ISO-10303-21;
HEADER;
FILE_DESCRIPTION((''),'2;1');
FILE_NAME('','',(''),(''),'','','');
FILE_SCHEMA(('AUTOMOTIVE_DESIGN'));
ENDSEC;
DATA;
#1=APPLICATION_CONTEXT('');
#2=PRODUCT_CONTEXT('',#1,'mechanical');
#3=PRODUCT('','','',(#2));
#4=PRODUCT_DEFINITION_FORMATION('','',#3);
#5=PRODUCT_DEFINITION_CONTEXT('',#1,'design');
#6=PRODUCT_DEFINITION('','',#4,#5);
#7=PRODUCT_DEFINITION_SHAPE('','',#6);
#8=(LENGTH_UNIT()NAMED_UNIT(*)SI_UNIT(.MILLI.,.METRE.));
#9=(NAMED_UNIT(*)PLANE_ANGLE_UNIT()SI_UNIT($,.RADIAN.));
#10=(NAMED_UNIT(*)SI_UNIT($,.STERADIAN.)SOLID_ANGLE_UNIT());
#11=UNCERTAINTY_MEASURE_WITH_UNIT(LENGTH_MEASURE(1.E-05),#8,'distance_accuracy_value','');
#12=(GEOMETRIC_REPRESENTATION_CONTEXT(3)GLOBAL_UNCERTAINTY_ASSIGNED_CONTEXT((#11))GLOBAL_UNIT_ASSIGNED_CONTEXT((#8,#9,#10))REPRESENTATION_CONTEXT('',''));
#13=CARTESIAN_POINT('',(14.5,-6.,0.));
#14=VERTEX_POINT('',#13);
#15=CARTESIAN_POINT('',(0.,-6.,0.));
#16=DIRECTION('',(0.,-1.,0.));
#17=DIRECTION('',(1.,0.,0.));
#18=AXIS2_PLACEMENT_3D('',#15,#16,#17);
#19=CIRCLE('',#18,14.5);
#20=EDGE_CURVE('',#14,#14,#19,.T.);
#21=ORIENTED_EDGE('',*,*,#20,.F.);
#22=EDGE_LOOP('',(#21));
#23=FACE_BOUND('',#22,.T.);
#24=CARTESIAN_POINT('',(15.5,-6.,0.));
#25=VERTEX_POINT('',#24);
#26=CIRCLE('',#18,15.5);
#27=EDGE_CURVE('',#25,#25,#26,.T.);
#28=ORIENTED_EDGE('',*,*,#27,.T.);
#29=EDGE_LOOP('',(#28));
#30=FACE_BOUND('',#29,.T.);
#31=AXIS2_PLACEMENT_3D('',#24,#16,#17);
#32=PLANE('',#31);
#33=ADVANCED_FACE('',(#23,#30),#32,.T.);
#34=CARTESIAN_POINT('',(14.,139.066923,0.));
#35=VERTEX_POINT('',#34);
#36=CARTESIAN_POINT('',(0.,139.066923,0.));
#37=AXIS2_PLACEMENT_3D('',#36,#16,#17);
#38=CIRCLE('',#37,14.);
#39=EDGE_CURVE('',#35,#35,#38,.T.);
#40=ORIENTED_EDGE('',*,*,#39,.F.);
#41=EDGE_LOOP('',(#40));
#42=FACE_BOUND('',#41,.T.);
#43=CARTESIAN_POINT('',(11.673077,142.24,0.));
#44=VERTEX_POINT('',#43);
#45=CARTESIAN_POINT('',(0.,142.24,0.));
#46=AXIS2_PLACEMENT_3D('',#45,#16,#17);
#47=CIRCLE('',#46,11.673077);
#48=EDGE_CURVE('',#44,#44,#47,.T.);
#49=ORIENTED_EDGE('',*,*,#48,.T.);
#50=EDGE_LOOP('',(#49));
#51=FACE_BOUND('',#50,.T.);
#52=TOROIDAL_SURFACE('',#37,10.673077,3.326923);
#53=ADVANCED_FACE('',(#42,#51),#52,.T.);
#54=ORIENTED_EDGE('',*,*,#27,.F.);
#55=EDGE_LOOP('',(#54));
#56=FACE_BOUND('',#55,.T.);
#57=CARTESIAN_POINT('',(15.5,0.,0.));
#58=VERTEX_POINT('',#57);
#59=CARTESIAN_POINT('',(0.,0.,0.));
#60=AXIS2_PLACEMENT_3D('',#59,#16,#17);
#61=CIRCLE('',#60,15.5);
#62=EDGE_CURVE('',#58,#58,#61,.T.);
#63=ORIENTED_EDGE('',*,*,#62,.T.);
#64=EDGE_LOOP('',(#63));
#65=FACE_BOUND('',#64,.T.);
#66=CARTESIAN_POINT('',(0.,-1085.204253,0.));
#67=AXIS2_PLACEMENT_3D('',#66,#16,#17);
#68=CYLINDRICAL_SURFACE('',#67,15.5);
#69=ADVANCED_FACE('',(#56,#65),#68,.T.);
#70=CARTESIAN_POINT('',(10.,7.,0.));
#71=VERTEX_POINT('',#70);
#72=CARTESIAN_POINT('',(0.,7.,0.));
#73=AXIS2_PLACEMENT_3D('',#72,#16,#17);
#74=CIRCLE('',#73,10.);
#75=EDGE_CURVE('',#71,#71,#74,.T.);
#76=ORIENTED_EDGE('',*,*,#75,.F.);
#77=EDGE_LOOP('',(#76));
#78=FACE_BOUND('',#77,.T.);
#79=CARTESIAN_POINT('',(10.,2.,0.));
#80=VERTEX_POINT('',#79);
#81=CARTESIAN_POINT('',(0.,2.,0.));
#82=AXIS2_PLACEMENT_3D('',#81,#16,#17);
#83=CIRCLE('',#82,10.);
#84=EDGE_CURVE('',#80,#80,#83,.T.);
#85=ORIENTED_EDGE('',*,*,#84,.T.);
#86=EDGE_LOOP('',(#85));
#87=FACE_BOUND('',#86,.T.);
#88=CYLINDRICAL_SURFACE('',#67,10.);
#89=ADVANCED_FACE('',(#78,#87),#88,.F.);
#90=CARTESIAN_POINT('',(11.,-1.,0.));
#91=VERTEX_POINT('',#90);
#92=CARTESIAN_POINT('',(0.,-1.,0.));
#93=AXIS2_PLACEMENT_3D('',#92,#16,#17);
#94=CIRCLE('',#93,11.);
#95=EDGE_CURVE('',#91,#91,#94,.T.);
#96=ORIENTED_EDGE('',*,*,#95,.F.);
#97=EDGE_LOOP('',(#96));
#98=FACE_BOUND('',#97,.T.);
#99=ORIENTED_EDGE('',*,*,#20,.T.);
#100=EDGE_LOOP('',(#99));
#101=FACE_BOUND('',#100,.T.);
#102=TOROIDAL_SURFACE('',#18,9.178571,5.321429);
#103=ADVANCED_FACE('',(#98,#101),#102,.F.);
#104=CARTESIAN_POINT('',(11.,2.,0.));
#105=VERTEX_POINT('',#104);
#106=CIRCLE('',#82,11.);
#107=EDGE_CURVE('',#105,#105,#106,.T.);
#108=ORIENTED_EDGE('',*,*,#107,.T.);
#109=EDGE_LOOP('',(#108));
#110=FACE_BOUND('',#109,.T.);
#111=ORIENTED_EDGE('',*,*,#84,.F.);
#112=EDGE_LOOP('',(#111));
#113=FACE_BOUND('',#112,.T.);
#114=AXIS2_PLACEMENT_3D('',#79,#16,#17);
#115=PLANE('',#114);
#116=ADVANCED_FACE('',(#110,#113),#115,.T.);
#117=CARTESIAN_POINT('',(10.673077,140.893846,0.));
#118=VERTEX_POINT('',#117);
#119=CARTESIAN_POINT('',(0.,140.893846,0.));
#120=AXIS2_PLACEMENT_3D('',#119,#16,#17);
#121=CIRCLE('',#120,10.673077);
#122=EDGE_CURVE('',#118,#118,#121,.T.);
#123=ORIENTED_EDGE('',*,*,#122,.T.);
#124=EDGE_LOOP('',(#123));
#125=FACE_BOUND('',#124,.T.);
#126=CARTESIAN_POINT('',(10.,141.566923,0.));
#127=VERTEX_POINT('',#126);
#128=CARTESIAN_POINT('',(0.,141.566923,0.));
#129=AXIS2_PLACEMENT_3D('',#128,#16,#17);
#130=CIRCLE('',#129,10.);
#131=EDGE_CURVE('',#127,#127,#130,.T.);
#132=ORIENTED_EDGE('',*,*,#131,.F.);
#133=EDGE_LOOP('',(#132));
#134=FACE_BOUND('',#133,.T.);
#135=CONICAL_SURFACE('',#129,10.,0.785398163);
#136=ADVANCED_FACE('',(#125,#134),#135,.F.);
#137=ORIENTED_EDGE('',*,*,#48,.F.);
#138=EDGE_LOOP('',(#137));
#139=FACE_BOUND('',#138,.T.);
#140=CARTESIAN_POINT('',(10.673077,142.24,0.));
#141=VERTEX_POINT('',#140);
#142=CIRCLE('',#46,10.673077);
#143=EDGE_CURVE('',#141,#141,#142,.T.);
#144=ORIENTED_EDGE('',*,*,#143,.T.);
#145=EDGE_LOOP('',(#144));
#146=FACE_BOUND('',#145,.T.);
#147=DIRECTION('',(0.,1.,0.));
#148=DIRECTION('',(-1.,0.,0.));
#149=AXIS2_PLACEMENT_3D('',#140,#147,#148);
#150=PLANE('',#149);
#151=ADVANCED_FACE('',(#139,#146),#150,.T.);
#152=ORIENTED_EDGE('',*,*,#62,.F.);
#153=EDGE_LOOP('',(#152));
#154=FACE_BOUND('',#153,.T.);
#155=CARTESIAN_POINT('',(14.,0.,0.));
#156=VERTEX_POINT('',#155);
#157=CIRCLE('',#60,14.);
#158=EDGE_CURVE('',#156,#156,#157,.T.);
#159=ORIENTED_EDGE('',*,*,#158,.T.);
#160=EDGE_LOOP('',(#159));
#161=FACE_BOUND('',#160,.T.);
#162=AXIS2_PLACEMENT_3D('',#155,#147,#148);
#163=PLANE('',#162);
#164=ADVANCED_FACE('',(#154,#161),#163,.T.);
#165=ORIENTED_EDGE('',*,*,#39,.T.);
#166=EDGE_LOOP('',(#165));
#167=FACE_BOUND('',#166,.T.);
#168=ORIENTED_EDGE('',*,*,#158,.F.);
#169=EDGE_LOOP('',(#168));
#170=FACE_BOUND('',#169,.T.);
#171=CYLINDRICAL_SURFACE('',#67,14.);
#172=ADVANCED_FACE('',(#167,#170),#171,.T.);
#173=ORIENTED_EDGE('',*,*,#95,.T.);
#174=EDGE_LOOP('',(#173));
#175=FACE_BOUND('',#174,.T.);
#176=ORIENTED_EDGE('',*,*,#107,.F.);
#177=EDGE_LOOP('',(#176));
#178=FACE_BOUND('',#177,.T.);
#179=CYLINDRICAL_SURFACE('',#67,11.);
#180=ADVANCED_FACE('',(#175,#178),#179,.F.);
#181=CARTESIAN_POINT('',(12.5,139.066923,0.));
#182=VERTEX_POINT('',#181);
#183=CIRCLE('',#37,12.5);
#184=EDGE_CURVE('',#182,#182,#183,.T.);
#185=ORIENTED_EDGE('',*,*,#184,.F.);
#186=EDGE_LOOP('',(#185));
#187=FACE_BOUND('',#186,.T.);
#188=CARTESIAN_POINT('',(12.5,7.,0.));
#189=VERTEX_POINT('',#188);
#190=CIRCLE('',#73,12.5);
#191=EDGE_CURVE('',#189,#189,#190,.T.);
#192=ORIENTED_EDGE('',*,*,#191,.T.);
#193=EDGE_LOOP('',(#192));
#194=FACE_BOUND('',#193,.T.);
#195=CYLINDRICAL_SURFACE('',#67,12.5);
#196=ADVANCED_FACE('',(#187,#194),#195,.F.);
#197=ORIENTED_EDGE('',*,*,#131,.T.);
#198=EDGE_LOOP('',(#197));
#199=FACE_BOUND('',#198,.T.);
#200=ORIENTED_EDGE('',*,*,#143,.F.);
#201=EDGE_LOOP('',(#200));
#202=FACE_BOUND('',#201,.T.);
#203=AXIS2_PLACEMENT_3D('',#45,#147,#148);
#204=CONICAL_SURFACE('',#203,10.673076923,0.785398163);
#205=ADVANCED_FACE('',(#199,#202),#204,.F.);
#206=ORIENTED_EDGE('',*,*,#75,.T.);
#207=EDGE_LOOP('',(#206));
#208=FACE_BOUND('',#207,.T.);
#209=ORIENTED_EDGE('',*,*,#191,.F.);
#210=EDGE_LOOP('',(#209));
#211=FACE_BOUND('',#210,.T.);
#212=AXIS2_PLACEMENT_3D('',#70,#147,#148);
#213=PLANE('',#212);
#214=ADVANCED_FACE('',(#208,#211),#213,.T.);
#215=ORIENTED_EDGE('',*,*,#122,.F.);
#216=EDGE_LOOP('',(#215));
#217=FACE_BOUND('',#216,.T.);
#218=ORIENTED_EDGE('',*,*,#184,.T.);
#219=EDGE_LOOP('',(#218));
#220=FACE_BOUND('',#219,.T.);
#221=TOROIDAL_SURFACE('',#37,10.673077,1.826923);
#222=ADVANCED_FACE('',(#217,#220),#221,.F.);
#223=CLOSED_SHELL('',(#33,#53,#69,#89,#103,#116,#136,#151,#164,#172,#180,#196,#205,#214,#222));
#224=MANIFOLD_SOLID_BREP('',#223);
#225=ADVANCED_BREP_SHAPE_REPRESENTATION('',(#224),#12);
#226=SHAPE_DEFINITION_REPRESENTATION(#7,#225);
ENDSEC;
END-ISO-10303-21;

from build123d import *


with BuildPart() as part:
    # Sketch1 → Revolve1 (revolve)
    with BuildSketch(Plane.XY):
        with BuildLine():
            Line((12.5, 7), (12.5, 139.066923077))
            ThreePointArc((12.5, 139.066923077), (11.964906619, 140.358752773), (10.673076923, 140.893846154))
            Line((10.673076923, 140.893846154), (10, 141.566923077))
            Line((10, 141.566923077), (10.673076923, 142.24))
            Line((10.673076923, 142.24), (11.673076923, 142.24))
            ThreePointArc((11.673076923, 142.24), (13.355924313, 141.034344496), (14, 139.066923077))
            Line((14, 139.066923077), (14, 0))
            Line((14, 0), (15.5, 0))
            Line((15.5, 0), (15.5, -6))
            Line((15.5, -6), (14.5, -6))
            ThreePointArc((14.5, -6), (13.538055577, -2.948361096), (11, -1))
            Line((11, -1), (11, 2))
            Line((11, 2), (10, 2))
            Line((10, 2), (10, 7))
            Line((10, 7), (12.5, 7))
        make_face()
    revolve(axis=Axis((0, -1085.204253018, 0), (0, 1, 0)))


solid = part.part
